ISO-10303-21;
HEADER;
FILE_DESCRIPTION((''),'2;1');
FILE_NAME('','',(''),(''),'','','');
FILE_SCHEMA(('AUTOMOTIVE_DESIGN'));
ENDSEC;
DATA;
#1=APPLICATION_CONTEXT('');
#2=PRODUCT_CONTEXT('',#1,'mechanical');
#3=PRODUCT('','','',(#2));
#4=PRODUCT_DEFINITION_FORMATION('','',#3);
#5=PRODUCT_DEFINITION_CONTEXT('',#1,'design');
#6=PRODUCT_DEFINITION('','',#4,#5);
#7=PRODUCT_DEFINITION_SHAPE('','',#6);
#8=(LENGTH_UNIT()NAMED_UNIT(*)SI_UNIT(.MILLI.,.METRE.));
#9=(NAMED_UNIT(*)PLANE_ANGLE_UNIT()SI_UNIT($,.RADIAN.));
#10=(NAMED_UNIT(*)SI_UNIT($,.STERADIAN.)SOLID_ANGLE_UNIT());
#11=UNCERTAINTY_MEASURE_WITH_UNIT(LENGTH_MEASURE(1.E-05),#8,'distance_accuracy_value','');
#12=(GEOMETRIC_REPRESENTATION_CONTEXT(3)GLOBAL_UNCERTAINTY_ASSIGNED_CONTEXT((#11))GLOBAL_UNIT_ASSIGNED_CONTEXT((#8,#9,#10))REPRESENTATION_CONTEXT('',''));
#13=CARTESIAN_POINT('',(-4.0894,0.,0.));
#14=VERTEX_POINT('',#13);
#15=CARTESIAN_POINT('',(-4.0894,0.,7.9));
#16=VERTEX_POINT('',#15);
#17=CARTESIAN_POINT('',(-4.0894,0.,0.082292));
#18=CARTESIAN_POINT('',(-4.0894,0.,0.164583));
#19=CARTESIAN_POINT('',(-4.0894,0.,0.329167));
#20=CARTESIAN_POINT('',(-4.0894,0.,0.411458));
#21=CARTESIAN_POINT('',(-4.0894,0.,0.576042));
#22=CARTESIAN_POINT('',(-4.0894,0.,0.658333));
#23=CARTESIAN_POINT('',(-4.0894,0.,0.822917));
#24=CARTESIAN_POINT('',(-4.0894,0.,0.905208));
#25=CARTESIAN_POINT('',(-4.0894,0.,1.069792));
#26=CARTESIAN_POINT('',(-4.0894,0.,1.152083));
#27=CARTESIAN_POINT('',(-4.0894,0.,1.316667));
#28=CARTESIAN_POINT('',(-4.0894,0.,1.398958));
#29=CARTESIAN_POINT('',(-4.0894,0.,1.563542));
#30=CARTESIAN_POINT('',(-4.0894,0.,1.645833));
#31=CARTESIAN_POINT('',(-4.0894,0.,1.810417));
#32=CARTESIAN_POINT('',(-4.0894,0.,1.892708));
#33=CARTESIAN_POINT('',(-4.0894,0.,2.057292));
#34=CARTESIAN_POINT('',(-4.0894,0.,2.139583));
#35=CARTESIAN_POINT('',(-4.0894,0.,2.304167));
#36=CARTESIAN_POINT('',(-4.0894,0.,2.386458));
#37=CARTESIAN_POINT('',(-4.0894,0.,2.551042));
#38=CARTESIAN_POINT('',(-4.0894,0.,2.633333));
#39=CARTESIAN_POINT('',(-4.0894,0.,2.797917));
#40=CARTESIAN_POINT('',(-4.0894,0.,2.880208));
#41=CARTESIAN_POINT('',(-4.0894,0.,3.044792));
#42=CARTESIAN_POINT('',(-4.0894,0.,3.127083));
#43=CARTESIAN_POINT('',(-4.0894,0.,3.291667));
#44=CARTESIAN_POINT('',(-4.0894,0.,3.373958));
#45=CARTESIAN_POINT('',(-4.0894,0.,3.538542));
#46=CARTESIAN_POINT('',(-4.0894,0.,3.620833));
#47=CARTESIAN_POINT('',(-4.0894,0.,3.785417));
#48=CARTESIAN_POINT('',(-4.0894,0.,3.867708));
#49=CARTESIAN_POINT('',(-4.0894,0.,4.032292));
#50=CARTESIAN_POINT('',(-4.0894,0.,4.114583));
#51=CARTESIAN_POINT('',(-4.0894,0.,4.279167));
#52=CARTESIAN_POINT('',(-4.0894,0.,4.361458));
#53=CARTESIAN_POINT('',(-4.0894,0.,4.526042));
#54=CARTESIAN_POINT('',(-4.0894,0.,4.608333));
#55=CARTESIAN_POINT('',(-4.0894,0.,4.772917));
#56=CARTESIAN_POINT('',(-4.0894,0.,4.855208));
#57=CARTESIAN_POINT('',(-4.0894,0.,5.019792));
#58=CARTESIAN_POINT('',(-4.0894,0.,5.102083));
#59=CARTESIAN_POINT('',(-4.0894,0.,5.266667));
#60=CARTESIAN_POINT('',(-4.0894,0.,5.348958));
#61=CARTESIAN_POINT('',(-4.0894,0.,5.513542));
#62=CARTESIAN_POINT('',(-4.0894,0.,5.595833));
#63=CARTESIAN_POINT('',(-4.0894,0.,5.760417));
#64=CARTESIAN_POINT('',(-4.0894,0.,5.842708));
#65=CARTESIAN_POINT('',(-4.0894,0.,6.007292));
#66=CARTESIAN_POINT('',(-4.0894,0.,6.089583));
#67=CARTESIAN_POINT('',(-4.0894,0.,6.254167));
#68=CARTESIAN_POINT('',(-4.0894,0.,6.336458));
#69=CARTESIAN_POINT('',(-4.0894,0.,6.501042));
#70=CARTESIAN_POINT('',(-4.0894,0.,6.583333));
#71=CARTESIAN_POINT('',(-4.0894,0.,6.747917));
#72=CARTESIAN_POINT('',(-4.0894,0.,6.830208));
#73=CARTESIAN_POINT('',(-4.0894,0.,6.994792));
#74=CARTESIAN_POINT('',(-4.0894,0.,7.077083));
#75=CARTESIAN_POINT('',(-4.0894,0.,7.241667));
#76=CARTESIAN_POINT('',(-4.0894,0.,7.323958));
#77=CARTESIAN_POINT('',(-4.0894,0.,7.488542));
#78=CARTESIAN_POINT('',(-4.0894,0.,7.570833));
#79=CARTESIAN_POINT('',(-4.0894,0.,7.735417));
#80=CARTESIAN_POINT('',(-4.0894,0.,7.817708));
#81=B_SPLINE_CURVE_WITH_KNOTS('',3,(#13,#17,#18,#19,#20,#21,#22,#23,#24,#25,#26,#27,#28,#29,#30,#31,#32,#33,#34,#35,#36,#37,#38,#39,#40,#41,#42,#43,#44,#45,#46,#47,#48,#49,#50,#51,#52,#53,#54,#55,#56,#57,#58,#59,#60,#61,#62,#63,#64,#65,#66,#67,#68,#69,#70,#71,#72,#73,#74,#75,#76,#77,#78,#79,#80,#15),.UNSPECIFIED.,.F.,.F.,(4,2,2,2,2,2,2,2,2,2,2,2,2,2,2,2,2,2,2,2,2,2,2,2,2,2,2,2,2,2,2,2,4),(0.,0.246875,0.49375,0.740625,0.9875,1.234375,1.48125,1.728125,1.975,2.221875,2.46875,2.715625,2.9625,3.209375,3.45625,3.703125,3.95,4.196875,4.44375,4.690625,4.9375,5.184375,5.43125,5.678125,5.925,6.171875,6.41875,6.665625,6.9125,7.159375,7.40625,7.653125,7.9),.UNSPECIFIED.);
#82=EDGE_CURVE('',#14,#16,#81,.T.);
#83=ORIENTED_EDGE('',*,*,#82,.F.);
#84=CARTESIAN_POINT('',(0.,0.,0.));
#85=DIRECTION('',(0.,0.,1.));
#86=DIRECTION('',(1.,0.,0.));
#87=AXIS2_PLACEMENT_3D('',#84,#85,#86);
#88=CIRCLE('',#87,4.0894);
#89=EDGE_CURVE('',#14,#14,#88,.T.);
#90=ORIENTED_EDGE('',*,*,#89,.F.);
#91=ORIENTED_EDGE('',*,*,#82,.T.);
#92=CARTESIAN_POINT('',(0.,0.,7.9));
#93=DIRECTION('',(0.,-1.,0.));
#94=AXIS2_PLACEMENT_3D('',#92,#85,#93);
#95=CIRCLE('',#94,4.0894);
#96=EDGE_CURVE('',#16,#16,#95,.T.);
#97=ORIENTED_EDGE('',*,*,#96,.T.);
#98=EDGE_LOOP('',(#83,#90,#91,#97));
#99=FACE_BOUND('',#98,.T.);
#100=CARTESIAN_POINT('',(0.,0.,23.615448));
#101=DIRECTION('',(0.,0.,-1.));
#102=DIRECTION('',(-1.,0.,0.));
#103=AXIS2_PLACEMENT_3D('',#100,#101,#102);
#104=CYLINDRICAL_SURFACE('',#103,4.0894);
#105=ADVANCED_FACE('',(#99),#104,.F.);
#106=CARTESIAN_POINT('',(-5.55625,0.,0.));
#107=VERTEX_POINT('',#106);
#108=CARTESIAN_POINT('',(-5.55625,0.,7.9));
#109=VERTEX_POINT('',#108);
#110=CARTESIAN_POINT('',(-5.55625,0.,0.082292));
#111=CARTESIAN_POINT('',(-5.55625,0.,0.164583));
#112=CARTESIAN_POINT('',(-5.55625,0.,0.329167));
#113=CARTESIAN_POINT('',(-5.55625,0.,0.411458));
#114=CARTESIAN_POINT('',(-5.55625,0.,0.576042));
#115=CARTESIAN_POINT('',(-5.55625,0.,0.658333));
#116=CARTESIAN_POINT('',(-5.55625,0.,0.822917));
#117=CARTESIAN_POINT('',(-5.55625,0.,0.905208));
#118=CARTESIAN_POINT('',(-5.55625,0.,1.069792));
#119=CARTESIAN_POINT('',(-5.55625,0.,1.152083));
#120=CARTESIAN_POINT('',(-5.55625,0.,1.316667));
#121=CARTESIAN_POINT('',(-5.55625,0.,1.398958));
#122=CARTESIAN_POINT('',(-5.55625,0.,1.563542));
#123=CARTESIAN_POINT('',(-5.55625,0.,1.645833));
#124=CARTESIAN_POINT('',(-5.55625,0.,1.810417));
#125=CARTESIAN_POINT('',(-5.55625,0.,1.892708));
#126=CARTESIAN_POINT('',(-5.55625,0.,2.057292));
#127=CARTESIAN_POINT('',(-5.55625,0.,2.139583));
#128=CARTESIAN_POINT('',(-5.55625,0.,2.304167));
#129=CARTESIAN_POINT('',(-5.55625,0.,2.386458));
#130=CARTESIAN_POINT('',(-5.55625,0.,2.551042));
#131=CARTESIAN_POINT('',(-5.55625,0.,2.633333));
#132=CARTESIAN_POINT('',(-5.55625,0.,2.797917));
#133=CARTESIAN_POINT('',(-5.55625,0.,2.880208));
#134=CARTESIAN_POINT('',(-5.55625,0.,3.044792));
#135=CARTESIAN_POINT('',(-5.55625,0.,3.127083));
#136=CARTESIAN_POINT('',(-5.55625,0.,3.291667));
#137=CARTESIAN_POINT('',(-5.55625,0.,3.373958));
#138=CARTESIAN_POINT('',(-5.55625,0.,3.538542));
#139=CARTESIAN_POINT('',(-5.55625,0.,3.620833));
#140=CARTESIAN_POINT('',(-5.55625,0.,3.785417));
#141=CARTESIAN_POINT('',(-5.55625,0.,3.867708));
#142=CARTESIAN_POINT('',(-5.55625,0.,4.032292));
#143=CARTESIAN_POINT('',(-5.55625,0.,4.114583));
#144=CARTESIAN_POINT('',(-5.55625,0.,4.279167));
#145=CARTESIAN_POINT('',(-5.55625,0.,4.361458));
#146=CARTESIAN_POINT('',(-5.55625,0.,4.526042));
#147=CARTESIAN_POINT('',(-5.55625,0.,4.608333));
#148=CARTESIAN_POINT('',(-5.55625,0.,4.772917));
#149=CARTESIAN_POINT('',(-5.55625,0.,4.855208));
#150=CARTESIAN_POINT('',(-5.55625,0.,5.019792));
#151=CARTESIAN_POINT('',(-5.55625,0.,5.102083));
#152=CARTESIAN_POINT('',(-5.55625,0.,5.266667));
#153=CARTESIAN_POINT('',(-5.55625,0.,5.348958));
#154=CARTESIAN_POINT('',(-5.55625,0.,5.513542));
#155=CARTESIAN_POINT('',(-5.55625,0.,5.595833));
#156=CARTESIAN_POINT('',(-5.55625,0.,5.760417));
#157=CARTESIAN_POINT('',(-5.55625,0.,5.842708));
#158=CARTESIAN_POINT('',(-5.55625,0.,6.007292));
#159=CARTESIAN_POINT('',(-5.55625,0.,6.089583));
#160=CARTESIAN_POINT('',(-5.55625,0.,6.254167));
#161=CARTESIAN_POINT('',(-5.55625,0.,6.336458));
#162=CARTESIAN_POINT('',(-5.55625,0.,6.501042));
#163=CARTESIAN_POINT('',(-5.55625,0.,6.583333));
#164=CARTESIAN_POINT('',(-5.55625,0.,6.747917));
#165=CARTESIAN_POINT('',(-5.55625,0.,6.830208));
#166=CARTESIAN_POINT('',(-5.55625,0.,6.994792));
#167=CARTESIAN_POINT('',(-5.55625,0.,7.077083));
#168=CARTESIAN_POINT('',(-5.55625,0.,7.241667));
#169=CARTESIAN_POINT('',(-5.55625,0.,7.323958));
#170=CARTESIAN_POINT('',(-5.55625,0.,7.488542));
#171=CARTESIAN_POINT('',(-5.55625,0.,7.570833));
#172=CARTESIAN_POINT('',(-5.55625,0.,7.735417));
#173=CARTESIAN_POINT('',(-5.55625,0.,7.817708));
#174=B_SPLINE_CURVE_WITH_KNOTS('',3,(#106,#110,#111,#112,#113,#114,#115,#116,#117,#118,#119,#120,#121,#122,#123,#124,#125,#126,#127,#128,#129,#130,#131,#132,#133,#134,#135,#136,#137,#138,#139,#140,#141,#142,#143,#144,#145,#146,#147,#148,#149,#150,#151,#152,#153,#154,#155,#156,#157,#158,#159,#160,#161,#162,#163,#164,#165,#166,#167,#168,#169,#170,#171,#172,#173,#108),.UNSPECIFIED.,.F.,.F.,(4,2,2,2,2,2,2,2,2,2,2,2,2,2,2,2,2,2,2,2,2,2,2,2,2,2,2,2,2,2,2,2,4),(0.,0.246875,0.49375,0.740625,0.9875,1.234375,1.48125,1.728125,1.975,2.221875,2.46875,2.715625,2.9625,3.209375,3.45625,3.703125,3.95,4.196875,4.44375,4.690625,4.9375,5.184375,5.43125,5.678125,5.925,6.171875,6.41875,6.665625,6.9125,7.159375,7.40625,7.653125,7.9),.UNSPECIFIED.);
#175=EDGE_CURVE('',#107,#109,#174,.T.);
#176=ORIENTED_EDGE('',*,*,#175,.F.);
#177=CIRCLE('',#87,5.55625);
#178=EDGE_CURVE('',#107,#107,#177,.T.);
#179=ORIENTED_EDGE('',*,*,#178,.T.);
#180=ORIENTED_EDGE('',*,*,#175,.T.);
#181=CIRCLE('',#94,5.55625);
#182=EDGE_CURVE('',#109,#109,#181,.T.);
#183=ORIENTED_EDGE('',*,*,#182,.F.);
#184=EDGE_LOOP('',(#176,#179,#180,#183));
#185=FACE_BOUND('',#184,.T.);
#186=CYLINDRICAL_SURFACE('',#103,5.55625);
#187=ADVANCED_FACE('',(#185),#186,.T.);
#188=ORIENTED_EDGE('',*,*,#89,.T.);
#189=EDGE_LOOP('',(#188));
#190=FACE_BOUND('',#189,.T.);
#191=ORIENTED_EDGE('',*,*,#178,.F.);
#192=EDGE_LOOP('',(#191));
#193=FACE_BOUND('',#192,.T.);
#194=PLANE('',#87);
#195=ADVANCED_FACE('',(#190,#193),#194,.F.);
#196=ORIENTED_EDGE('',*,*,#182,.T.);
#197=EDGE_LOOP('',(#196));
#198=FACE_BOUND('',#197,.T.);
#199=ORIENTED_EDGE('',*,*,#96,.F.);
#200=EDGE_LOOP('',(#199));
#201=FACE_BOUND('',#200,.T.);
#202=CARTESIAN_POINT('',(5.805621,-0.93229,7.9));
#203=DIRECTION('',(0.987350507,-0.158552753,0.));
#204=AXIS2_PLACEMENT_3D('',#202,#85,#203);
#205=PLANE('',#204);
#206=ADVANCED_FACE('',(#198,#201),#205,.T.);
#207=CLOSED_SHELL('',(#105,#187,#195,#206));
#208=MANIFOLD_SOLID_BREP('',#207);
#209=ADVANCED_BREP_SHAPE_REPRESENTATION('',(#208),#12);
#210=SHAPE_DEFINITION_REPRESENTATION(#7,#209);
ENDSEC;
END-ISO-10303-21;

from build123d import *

# Parameters (mm, degrees)
SKETCH1_R           = 5.55625
SKETCH1_R_2         = 4.0894
BOSS_EXTRUDE1_DEPTH = 7.9


with BuildPart() as part:
    # Sketch1 → Boss-Extrude1 (new body)
    with BuildSketch(Plane.XY):
        with Locations(Location((0, 0, 0), (0, 0, 180))):
            Circle(SKETCH1_R)
        with Locations(Location((0, 0, 0), (0, 0, 180))):
            Circle(SKETCH1_R_2, mode=Mode.SUBTRACT)
    extrude(amount=BOSS_EXTRUDE1_DEPTH)


solid = part.part
